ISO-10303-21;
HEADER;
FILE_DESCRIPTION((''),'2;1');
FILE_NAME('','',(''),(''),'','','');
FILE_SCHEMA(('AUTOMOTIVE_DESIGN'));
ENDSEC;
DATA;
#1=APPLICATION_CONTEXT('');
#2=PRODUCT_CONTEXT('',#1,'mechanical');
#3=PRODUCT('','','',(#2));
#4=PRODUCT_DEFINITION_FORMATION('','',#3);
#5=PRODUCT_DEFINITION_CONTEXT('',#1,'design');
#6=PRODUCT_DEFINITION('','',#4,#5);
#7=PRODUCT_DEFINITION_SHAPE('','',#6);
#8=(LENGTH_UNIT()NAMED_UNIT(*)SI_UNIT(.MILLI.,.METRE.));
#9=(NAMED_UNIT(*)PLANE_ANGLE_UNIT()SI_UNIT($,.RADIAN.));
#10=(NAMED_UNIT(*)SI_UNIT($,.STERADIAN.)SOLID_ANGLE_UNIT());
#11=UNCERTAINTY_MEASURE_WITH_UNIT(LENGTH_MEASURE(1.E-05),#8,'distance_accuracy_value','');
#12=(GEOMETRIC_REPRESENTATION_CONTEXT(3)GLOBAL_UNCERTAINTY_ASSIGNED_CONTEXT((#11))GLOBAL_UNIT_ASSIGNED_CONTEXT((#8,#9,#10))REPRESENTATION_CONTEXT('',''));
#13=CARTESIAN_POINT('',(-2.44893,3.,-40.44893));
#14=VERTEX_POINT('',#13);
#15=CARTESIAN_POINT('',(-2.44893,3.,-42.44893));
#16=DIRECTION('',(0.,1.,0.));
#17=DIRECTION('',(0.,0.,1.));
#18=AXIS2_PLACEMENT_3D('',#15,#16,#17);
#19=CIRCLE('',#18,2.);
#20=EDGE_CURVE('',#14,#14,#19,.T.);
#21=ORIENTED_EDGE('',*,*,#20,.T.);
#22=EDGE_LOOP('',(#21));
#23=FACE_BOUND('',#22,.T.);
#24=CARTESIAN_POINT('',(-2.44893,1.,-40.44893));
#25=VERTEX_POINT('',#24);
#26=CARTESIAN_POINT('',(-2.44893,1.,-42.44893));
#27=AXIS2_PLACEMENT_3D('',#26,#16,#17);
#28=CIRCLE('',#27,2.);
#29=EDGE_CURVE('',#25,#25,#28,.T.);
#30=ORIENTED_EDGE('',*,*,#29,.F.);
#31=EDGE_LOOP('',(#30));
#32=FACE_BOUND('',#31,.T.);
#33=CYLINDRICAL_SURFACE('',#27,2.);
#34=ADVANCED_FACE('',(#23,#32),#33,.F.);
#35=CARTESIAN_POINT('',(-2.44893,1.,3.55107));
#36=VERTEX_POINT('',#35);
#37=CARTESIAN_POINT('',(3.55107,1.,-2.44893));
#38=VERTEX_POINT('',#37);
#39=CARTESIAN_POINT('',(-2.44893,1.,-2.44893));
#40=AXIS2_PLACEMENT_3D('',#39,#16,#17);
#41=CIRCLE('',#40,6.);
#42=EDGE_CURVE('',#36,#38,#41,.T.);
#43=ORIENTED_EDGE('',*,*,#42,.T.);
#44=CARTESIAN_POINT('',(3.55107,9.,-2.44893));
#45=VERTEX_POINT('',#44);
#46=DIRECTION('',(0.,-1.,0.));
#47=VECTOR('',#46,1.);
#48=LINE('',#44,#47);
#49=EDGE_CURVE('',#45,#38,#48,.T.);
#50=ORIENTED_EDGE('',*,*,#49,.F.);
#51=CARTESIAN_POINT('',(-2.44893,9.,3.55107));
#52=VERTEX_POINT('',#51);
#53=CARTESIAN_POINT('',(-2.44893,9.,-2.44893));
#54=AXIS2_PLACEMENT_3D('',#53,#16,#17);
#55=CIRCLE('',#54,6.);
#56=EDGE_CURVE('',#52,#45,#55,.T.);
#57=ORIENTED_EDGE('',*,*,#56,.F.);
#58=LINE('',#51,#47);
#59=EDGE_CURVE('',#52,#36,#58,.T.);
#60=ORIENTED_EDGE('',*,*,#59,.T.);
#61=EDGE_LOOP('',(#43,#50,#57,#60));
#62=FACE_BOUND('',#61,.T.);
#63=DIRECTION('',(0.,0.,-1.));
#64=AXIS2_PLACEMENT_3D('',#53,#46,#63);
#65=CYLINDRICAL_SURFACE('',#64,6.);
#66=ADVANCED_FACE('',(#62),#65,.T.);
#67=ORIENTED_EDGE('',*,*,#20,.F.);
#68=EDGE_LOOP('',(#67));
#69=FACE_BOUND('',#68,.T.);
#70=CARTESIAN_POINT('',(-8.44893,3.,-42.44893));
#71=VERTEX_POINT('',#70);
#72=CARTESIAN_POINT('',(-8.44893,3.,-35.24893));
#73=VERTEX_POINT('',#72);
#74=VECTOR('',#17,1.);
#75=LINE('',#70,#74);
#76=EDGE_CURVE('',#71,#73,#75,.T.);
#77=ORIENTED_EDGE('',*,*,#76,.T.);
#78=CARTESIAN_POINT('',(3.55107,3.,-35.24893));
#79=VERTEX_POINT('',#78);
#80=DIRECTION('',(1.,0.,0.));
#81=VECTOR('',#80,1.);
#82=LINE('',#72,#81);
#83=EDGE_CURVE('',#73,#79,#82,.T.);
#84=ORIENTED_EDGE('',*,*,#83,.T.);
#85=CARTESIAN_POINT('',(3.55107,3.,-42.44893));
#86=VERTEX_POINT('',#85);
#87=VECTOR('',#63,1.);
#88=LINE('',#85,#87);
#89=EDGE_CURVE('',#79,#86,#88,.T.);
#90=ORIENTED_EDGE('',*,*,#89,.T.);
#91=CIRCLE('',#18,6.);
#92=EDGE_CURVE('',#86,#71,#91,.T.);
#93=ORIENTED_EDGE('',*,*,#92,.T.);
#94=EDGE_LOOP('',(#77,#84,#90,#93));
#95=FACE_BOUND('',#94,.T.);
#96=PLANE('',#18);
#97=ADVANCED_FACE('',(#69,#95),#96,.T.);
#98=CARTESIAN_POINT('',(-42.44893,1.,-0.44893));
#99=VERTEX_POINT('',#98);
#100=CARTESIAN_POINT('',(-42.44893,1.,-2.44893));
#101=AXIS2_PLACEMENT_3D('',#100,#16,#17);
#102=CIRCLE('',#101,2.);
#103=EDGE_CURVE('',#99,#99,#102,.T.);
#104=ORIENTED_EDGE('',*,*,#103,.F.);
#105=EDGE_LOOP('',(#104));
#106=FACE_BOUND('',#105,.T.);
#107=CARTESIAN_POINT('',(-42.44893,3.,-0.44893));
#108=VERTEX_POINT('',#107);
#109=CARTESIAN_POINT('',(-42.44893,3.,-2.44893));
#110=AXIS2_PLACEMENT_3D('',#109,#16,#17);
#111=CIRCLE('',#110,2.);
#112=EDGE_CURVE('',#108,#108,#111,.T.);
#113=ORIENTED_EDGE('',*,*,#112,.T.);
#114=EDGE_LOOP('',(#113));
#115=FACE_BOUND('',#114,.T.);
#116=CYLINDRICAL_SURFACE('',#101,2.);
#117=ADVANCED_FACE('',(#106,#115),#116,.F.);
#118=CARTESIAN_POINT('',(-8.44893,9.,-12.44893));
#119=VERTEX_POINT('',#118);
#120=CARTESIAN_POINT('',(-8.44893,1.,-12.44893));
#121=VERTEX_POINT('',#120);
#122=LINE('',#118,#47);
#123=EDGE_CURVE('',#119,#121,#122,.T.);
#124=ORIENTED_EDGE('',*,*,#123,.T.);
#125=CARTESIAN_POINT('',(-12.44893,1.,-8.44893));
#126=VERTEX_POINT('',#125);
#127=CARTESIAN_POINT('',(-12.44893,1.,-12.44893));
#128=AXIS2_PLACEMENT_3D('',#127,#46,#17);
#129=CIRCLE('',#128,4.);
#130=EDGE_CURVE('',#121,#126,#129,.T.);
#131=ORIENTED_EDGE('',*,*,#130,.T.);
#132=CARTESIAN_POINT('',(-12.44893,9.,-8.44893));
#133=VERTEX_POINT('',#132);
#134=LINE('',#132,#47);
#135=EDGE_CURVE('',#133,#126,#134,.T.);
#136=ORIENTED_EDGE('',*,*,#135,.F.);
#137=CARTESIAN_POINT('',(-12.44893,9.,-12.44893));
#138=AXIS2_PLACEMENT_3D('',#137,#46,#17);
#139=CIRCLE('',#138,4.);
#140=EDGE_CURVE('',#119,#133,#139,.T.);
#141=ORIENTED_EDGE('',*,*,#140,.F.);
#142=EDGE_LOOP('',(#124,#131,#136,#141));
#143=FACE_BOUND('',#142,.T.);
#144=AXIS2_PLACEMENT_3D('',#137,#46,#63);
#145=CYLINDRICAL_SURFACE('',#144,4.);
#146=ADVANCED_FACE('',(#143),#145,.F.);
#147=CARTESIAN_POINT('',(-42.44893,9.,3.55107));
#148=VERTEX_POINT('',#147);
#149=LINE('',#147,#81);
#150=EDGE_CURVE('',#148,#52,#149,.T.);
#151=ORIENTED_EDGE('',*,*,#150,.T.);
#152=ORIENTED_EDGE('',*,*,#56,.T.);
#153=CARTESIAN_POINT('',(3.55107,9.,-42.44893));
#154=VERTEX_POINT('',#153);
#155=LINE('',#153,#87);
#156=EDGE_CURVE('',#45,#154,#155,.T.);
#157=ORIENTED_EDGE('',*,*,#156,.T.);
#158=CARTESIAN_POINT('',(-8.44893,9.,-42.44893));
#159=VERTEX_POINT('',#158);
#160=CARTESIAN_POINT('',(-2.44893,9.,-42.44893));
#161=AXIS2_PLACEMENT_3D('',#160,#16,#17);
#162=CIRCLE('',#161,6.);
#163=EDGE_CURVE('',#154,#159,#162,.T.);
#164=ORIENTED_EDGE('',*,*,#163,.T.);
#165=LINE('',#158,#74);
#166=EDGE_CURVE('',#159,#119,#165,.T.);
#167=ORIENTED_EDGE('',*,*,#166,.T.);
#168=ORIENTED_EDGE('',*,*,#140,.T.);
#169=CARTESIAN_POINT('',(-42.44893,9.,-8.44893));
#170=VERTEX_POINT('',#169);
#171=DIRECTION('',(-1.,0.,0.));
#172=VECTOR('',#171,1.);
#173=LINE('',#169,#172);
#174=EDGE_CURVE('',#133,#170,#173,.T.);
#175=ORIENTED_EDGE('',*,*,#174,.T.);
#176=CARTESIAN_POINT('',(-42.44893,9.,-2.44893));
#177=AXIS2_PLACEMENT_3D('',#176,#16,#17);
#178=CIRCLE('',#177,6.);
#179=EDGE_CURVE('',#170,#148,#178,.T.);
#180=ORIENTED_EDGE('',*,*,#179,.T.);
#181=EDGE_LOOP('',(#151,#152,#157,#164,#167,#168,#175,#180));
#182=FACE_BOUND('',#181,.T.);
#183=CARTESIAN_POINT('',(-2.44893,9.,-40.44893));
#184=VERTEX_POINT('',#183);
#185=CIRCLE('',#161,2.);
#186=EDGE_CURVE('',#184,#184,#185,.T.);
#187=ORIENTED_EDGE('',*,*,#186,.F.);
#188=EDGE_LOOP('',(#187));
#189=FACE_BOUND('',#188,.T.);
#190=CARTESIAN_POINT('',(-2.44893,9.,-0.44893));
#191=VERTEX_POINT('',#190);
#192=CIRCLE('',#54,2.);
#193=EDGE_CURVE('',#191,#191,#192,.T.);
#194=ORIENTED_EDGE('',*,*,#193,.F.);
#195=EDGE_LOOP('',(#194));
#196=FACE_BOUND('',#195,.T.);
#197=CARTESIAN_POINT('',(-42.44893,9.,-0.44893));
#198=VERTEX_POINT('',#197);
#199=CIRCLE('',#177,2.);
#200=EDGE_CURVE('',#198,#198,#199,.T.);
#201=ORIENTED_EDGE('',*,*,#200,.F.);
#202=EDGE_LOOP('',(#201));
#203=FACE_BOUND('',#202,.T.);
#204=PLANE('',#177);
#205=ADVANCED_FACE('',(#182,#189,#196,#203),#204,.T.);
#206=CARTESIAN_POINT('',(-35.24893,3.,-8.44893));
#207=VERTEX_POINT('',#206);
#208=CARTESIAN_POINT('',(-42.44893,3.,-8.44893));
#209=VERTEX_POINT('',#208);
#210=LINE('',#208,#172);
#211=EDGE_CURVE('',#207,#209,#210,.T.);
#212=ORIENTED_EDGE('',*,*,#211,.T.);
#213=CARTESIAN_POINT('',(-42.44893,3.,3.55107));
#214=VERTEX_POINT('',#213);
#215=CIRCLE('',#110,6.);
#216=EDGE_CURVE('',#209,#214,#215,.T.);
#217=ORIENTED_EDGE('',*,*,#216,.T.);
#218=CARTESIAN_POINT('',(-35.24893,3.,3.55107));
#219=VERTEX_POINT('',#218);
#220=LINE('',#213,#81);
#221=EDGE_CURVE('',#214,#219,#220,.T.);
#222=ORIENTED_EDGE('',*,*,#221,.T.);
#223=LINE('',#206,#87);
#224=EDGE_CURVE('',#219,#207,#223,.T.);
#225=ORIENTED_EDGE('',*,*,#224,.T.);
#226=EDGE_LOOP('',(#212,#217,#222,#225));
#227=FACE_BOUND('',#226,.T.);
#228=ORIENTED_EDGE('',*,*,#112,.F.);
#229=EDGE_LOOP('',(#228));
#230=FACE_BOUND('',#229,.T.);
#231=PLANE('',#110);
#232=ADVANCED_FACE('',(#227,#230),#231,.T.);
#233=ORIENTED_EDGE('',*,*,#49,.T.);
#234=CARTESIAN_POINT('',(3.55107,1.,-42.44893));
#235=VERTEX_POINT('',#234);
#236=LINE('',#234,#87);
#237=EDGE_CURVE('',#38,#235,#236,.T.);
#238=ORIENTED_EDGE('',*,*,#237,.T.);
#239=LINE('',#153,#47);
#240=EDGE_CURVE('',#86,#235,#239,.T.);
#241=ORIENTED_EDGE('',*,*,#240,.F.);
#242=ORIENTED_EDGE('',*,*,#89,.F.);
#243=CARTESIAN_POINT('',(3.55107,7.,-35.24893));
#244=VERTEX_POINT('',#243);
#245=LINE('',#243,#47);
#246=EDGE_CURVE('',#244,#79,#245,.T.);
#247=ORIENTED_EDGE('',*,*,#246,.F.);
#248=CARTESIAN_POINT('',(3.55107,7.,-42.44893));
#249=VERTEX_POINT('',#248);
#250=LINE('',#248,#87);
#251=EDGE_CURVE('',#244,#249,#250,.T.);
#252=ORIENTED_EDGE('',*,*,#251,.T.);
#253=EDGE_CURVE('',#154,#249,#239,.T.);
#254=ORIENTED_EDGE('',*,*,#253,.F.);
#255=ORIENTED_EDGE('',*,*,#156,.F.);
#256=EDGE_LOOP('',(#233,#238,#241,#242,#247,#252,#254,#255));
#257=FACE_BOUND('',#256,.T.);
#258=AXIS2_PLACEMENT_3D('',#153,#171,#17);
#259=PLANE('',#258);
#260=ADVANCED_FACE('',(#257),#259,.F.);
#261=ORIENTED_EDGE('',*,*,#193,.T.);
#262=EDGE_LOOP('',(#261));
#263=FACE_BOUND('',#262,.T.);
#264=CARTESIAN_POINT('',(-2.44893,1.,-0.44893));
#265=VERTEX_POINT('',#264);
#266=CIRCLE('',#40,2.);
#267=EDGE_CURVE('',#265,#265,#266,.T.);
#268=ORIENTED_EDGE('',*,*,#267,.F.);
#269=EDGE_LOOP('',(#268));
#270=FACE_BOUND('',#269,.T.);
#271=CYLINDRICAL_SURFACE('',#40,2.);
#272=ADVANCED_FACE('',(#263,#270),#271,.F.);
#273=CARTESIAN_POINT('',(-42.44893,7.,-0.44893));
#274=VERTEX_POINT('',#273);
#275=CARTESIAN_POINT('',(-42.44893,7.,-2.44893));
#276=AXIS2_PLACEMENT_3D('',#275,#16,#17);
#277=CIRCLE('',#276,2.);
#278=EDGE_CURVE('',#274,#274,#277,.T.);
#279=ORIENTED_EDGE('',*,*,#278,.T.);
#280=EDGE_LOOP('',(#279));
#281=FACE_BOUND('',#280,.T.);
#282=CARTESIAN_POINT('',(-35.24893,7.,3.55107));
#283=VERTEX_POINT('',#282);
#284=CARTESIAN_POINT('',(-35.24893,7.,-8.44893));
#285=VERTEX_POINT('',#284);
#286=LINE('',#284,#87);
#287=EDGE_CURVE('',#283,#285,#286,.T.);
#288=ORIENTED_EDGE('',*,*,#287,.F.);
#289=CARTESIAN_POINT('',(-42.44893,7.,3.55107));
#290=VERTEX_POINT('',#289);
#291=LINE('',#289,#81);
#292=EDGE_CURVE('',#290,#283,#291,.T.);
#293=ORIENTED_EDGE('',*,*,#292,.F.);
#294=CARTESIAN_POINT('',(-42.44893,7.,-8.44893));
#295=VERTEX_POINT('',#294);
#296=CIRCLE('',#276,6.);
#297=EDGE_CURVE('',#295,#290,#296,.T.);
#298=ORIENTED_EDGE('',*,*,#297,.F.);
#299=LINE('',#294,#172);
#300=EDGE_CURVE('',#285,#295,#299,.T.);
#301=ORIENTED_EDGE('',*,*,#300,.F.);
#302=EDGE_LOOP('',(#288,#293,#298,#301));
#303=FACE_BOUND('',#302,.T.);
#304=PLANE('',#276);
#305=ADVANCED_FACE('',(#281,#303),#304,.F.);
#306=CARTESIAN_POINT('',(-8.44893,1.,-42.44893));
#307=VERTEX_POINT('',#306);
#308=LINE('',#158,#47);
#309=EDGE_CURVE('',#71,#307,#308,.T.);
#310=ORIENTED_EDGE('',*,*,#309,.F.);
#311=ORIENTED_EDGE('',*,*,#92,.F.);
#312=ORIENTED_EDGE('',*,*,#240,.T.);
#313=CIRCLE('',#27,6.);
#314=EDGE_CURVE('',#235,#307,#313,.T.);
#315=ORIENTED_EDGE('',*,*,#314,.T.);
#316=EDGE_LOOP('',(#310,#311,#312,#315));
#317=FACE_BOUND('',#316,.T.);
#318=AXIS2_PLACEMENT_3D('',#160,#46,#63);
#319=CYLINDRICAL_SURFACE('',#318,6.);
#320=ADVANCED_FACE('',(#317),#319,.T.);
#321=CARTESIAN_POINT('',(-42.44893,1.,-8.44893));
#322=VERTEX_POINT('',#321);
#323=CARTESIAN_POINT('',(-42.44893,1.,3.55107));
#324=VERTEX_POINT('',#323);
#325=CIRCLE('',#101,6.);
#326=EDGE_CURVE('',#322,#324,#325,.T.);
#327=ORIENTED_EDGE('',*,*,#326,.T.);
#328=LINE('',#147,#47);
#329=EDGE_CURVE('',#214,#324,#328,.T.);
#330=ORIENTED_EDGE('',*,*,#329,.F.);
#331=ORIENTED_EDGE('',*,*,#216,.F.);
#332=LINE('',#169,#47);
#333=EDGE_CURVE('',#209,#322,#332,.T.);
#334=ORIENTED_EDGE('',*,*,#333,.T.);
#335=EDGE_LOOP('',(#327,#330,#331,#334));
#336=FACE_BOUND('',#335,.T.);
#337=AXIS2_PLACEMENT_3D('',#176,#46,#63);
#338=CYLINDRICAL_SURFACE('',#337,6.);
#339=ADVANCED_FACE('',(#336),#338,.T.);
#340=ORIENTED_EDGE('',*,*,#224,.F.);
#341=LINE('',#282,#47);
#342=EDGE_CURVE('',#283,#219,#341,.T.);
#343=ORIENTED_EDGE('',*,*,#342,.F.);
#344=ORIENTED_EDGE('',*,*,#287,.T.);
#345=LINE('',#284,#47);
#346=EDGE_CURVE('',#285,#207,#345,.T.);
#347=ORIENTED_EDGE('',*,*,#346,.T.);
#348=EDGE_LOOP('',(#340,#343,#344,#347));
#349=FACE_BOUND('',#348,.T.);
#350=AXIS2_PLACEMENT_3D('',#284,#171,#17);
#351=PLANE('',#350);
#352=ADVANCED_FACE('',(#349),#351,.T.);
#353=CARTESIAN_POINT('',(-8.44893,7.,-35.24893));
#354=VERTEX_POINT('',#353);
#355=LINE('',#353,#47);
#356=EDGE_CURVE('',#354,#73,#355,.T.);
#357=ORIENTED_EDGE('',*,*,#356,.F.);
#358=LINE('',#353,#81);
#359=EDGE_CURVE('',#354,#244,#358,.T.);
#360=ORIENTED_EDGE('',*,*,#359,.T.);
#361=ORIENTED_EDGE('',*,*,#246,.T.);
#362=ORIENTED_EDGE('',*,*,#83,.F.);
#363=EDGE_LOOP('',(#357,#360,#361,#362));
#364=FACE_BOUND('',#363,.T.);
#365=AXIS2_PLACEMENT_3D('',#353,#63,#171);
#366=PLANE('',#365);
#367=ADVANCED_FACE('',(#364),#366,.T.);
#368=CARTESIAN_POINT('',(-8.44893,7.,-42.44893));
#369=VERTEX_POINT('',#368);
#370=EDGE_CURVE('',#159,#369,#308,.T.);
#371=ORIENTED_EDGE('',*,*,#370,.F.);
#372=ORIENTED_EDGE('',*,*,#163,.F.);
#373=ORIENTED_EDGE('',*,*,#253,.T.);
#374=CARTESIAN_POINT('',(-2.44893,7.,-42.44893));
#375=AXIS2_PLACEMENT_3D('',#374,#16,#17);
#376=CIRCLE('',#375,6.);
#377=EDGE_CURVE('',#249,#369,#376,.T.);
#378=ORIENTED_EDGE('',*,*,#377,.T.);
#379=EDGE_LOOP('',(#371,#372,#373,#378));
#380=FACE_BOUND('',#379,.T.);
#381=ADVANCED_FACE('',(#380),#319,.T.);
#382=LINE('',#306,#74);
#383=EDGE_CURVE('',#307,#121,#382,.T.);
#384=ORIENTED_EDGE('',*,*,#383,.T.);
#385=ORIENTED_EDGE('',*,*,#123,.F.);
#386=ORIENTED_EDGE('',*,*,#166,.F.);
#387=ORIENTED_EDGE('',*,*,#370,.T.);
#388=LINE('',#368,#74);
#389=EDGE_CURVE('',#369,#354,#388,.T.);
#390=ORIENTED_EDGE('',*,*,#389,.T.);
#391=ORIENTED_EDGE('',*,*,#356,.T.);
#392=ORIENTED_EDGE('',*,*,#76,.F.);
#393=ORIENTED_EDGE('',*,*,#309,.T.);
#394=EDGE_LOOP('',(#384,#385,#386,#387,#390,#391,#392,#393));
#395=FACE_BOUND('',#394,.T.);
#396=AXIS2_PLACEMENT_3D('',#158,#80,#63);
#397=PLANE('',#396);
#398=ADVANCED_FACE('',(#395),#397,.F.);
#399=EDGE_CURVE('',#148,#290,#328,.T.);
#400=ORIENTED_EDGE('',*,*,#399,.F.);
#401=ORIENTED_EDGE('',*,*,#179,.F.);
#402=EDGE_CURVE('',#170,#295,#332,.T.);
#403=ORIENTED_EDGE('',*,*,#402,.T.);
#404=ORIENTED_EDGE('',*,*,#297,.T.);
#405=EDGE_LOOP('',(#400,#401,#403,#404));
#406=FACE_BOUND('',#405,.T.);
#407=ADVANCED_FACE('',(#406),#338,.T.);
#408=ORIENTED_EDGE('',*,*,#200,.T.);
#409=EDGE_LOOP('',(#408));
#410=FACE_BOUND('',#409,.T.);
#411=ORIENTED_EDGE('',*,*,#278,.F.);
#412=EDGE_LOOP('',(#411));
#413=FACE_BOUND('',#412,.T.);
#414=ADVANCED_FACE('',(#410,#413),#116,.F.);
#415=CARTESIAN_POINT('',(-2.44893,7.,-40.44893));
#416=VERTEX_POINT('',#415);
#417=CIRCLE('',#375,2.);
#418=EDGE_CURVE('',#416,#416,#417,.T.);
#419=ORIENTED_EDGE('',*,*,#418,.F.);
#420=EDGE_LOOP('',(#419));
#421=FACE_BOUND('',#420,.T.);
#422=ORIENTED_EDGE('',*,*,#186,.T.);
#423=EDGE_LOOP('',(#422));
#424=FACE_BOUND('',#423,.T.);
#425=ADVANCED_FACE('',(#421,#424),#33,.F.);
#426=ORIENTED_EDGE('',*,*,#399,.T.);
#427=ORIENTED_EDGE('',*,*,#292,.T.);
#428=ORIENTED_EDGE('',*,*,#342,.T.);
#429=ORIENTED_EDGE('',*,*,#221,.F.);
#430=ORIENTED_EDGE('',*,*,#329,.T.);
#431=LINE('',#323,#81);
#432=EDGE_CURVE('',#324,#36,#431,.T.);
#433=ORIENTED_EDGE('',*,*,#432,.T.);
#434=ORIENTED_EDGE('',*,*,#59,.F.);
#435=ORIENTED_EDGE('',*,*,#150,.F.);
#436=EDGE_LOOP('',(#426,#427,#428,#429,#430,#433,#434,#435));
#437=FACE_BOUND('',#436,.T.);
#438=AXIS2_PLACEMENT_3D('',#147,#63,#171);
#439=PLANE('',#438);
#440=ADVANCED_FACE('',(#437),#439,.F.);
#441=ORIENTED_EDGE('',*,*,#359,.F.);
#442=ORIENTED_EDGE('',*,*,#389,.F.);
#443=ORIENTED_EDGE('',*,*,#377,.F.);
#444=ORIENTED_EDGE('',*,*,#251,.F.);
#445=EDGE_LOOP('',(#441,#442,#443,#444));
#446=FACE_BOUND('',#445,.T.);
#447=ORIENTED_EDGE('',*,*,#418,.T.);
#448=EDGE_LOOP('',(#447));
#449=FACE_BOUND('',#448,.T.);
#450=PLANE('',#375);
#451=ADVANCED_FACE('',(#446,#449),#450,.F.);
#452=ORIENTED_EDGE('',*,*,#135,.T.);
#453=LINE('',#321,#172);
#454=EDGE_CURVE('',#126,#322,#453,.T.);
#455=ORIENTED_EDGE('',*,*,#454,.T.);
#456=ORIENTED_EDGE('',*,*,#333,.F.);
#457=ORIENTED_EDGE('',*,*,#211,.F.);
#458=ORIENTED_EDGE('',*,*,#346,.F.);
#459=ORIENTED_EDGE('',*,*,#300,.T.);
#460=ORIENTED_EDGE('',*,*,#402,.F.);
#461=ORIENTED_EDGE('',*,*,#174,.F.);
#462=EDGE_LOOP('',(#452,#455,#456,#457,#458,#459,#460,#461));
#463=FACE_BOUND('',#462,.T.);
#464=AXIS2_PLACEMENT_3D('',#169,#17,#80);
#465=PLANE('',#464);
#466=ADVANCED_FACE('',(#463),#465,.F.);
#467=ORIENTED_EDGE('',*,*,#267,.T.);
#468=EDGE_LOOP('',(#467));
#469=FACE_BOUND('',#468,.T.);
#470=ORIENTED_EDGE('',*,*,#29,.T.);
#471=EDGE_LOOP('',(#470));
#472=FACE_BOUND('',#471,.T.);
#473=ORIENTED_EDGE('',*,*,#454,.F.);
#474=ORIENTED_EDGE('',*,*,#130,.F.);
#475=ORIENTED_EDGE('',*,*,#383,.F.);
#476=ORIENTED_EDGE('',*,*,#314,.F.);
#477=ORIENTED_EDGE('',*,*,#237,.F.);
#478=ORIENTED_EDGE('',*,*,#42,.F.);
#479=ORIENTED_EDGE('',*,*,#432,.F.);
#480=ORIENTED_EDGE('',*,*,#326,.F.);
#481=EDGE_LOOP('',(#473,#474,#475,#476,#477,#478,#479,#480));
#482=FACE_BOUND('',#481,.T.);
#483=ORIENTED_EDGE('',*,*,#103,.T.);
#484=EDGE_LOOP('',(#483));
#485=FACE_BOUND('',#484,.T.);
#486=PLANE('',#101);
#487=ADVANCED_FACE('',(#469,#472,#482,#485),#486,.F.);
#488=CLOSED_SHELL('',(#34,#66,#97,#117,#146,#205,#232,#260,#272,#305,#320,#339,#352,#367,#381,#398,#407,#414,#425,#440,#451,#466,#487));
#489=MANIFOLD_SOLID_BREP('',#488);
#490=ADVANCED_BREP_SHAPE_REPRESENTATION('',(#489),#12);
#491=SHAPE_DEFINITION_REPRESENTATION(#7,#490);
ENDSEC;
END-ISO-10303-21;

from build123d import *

# Parameters (mm, degrees)
SKETCH1_R               = 2.4
BOSS_EXTRUDE1_DEPTH     = 10
CUT_EXTRUDE1_DEPTH      = 2.5
CUT_EXTRUDE1_DEPTH_BACK = 2.5
SKETCH2_R               = 2.4
CUT_EXTRUDE2_DEPTH      = 2.5
CUT_EXTRUDE2_DEPTH_BACK = 2.5
SKETCH3_R               = 2.4
SCALE1_SCALE            = 0.8
SKETCH4_R               = 2
CUT_EXTRUDE3_DEPTH      = 69.982589006


with BuildPart() as part:
    # Sketch1 → Boss-Extrude1 (new body)
    with BuildSketch(Plane(origin=(0, 0, 0), x_dir=(1, 0, 0), z_dir=(0, 1, 0))):
        with BuildLine():
            Line((-50, 7.5), (-12.5, 7.5))
            ThreePointArc((-12.5, 7.5), (-8.964466094, 8.964466094), (-7.5, 12.5))
            Line((-7.5, 12.5), (-7.5, 50))
            ThreePointArc((-7.5, 50), (0, 57.5), (7.5, 50))
            Line((7.5, 50), (7.5, 0))
            ThreePointArc((7.5, 0), (5.303300859, -5.303300859), (0, -7.5))
            Line((0, -7.5), (-50, -7.5))
            ThreePointArc((-50, -7.5), (-57.5, 0), (-50, 7.5))
        make_face()
        with Locations(Location((0, 0, 0), (0, 0, 270))):
            Circle(SKETCH1_R, mode=Mode.SUBTRACT)
        with Locations(Location((-50, 0, 0), (0, 0, 270))):
            Circle(SKETCH1_R, mode=Mode.SUBTRACT)
        with Locations(Location((0, 50, 0), (0, 0, 270))):
            Circle(SKETCH1_R, mode=Mode.SUBTRACT)
    extrude(amount=BOSS_EXTRUDE1_DEPTH)

    # Sketch2 → Cut-Extrude1 (cut, two sides: drawn at the far end of the back side and taken through both)
    with BuildSketch(Plane(origin=(0, 5, 0), x_dir=(1, 0, 0), z_dir=(0, 1, 0)).offset(-CUT_EXTRUDE1_DEPTH_BACK)):
        with BuildLine():
            Line((-50, 7.5), (-41, 7.5))
            Line((-41, 7.5), (-41, -7.5))
            Line((-41, -7.5), (-50, -7.5))
            ThreePointArc((-50, -7.5), (-57.5, 0), (-50, 7.5))
        make_face()
        with Locations(Location((-50, 0, 0), (0, 0, 270))):
            Circle(SKETCH2_R, mode=Mode.SUBTRACT)
    extrude(amount=CUT_EXTRUDE1_DEPTH + CUT_EXTRUDE1_DEPTH_BACK, mode=Mode.SUBTRACT)

    # Sketch3 → Cut-Extrude2 (cut, two sides: drawn at the far end of the back side and taken through both)
    with BuildSketch(Plane(origin=(0, 5, 0), x_dir=(1, 0, 0), z_dir=(0, 1, 0)).offset(-CUT_EXTRUDE2_DEPTH_BACK)):
        with BuildLine():
            Line((-7.5, 50), (-7.5, 41))
            Line((-7.5, 41), (7.5, 41))
            Line((7.5, 41), (7.5, 50))
            ThreePointArc((7.5, 50), (0, 57.5), (-7.5, 50))
        make_face()
        with Locations(Location((0, 50, 0), (0, 0, 270))):
            Circle(SKETCH3_R, mode=Mode.SUBTRACT)
    extrude(amount=CUT_EXTRUDE2_DEPTH + CUT_EXTRUDE2_DEPTH_BACK, mode=Mode.SUBTRACT)


with BuildPart() as part_1:
    # Scale1: scaled about (-12.244648703, 5, -12.244648703)
    add(part.part.scale(SCALE1_SCALE).moved(Location((-2.448929741, 1, -2.448929741))))

    # Sketch4 → Cut-Extrude3 (cut, through all)
    with BuildSketch(Plane(origin=(0, 9, 0), x_dir=(1, 0, 0), z_dir=(0, 1, 0))):
        with Locations(Location((-2.448929741, 42.448929741, 0), (0, 0, 270))):
            Circle(SKETCH4_R)
        with Locations(Location((-2.448929741, 2.448929741, 0), (0, 0, 270))):
            Circle(SKETCH4_R)
        with Locations(Location((-42.448929741, 2.448929741, 0), (0, 0, 270))):
            Circle(SKETCH4_R)
    extrude(amount=-CUT_EXTRUDE3_DEPTH, mode=Mode.SUBTRACT)


solid = part_1.part
